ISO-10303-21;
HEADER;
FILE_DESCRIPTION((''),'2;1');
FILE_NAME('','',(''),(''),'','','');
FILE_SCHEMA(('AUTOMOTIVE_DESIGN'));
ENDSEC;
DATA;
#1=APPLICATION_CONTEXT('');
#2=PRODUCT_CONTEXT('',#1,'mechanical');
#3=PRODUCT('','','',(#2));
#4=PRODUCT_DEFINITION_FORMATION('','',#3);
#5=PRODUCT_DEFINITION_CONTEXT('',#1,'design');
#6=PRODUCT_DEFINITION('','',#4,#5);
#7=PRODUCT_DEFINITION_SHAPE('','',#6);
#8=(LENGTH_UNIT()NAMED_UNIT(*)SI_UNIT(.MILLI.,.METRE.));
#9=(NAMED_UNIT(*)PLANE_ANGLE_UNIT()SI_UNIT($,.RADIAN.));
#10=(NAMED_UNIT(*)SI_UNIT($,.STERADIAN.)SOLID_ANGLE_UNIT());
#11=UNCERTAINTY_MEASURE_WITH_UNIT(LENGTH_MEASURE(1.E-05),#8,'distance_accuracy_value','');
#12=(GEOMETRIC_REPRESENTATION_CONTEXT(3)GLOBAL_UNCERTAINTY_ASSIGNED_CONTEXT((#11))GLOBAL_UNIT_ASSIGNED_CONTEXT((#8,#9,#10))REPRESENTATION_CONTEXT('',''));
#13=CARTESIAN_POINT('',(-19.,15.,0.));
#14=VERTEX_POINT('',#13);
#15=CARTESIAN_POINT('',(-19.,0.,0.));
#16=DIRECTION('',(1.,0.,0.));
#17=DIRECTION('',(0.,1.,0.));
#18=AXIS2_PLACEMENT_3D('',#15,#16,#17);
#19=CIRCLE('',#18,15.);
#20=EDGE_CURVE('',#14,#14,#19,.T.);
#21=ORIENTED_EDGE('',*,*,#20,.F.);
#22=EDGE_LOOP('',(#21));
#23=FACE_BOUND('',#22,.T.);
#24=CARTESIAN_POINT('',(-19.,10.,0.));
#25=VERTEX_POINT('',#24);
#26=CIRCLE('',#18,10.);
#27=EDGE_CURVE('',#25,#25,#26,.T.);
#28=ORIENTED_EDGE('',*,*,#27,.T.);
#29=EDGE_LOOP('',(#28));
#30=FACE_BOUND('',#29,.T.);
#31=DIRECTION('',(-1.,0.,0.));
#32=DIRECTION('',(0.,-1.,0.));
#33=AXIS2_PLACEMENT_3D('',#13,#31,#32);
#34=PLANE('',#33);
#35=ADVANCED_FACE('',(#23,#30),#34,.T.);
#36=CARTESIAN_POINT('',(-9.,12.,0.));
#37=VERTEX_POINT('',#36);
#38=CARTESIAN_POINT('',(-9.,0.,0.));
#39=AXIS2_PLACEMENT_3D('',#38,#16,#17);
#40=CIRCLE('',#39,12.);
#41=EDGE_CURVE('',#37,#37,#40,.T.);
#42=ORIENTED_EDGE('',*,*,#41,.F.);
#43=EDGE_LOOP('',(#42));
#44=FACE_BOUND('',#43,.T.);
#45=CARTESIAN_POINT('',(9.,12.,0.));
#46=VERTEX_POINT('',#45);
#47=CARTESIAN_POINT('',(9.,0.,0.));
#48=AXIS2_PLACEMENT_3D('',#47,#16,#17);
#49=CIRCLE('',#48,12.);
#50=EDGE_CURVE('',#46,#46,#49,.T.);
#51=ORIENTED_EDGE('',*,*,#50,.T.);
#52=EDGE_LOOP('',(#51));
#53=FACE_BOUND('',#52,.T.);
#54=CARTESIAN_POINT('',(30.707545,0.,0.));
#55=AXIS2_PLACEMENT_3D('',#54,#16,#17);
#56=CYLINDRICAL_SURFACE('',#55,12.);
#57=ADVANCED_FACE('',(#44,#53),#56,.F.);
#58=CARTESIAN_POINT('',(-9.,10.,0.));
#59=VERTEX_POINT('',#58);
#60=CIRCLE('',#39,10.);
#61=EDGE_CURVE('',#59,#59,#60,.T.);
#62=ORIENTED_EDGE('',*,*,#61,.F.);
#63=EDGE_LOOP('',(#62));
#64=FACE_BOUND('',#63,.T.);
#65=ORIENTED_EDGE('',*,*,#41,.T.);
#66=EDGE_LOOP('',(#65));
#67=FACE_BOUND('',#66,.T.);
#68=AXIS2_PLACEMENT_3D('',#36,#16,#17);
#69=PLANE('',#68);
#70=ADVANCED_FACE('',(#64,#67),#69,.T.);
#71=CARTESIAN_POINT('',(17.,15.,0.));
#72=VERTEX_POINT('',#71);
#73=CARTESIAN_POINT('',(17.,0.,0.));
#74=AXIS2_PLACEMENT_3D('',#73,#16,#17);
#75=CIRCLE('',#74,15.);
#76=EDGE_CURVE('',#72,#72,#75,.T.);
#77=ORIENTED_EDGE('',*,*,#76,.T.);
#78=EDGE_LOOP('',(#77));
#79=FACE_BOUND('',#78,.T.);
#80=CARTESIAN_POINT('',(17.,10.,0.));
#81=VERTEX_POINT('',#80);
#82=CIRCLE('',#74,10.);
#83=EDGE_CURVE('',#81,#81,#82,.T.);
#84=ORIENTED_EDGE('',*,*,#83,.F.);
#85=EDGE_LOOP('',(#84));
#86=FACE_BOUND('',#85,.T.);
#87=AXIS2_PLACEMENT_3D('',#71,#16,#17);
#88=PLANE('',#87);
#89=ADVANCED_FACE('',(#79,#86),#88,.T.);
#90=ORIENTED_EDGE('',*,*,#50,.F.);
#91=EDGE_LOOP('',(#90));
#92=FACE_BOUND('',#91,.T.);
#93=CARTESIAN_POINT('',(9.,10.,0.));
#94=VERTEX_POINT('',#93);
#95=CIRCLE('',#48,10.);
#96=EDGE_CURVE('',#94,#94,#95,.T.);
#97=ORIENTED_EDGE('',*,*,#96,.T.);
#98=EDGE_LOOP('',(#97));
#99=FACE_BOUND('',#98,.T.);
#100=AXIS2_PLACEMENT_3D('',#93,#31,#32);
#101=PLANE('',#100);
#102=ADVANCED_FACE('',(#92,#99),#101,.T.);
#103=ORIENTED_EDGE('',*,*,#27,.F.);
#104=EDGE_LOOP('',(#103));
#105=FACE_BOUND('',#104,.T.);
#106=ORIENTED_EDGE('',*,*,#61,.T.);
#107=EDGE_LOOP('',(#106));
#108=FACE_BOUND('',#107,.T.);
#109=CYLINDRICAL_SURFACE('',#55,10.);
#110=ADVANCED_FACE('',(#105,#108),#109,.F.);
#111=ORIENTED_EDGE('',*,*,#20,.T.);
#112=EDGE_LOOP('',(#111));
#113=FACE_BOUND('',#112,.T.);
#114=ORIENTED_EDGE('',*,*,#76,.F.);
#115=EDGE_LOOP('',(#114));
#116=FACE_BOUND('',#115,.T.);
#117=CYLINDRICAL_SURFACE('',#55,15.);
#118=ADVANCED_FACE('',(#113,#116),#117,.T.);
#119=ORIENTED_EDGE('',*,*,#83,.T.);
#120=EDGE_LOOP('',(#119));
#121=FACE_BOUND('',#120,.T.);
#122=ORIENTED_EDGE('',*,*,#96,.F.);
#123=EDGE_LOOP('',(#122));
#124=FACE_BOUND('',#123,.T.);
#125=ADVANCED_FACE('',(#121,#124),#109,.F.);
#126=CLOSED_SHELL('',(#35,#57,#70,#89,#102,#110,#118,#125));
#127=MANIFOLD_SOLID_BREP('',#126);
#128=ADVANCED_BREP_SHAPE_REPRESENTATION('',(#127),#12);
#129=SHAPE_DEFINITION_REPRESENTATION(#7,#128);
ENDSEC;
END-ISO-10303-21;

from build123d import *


with BuildPart() as part:
    # Sketch1 → Revolve1 (revolve)
    with BuildSketch(Plane.XY):
        Polygon((17, 15), (-19, 15), (-19, 10), (-9, 10), (-9, 12), (9, 12), (9, 10), (17, 10), align=None)
    revolve(axis=Axis((30.707544715, 0, 0), (-1, 0, 0)))


solid = part.part
